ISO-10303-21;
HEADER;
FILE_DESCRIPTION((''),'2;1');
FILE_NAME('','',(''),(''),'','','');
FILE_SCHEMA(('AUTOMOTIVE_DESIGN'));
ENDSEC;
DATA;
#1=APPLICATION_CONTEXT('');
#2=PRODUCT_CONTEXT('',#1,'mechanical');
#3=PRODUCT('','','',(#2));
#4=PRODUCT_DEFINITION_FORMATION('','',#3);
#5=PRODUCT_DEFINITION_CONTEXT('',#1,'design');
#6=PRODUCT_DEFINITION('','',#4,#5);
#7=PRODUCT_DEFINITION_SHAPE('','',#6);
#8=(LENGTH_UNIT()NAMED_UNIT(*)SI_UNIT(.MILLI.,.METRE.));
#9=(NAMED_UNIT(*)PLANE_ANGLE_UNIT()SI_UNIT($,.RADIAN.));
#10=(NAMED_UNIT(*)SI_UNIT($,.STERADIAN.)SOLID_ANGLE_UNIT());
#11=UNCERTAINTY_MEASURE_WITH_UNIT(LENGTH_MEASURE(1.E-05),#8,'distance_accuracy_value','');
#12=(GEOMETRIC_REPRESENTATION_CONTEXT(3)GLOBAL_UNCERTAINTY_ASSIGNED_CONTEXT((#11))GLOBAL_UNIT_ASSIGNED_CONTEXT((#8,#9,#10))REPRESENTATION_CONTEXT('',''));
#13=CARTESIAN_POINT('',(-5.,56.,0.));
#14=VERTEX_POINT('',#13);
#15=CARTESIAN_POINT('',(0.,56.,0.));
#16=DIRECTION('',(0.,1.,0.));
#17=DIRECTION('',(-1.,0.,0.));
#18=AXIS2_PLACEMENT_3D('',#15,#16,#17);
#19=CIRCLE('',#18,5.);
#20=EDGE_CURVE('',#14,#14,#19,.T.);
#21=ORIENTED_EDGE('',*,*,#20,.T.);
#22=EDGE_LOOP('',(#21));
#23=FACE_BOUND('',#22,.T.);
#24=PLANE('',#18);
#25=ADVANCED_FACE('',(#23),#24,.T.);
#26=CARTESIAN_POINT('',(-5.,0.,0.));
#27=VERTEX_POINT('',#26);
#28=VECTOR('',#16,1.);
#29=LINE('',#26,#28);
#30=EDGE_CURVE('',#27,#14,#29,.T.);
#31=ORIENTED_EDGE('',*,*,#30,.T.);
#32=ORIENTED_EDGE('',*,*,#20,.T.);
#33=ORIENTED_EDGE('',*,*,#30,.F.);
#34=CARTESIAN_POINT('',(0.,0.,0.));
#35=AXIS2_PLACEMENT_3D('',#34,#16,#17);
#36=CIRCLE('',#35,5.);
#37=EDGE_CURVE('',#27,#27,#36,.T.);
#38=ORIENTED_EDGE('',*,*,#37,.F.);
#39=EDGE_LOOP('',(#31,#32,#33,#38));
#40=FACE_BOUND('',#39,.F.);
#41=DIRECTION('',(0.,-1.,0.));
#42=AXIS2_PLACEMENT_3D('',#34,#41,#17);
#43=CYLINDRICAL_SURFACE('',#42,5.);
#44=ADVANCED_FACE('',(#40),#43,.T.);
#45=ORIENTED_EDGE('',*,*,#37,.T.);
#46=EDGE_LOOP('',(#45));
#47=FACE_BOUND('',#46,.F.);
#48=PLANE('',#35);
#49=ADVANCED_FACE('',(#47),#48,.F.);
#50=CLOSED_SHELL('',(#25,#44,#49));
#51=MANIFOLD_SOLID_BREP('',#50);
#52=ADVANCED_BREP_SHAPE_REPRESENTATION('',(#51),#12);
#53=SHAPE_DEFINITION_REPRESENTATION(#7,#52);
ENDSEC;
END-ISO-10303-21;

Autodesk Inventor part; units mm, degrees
ref_plane "YZ Plane" through (0, 0, 0) normal (1, 0, 0) x (0, 1, 0)
ref_plane "XZ Plane" through (0, 0, 0) normal (0, 1, 0) x (-1, 0, 0)
ref_plane "XY Plane" through (0, 0, 0) normal (0, 0, 1) x (1, 0, 0)
sketch "Skizze1" plane through (0, 0, 0) normal (0, 1, 0) x (-1, 0, 0)
  circle A0 centre (0, 0) radius 5
  dimension "d0" = 10
extrude "Extrusion1" add sketch "Skizze1" along normal blind 56
properties part number "19,1"
